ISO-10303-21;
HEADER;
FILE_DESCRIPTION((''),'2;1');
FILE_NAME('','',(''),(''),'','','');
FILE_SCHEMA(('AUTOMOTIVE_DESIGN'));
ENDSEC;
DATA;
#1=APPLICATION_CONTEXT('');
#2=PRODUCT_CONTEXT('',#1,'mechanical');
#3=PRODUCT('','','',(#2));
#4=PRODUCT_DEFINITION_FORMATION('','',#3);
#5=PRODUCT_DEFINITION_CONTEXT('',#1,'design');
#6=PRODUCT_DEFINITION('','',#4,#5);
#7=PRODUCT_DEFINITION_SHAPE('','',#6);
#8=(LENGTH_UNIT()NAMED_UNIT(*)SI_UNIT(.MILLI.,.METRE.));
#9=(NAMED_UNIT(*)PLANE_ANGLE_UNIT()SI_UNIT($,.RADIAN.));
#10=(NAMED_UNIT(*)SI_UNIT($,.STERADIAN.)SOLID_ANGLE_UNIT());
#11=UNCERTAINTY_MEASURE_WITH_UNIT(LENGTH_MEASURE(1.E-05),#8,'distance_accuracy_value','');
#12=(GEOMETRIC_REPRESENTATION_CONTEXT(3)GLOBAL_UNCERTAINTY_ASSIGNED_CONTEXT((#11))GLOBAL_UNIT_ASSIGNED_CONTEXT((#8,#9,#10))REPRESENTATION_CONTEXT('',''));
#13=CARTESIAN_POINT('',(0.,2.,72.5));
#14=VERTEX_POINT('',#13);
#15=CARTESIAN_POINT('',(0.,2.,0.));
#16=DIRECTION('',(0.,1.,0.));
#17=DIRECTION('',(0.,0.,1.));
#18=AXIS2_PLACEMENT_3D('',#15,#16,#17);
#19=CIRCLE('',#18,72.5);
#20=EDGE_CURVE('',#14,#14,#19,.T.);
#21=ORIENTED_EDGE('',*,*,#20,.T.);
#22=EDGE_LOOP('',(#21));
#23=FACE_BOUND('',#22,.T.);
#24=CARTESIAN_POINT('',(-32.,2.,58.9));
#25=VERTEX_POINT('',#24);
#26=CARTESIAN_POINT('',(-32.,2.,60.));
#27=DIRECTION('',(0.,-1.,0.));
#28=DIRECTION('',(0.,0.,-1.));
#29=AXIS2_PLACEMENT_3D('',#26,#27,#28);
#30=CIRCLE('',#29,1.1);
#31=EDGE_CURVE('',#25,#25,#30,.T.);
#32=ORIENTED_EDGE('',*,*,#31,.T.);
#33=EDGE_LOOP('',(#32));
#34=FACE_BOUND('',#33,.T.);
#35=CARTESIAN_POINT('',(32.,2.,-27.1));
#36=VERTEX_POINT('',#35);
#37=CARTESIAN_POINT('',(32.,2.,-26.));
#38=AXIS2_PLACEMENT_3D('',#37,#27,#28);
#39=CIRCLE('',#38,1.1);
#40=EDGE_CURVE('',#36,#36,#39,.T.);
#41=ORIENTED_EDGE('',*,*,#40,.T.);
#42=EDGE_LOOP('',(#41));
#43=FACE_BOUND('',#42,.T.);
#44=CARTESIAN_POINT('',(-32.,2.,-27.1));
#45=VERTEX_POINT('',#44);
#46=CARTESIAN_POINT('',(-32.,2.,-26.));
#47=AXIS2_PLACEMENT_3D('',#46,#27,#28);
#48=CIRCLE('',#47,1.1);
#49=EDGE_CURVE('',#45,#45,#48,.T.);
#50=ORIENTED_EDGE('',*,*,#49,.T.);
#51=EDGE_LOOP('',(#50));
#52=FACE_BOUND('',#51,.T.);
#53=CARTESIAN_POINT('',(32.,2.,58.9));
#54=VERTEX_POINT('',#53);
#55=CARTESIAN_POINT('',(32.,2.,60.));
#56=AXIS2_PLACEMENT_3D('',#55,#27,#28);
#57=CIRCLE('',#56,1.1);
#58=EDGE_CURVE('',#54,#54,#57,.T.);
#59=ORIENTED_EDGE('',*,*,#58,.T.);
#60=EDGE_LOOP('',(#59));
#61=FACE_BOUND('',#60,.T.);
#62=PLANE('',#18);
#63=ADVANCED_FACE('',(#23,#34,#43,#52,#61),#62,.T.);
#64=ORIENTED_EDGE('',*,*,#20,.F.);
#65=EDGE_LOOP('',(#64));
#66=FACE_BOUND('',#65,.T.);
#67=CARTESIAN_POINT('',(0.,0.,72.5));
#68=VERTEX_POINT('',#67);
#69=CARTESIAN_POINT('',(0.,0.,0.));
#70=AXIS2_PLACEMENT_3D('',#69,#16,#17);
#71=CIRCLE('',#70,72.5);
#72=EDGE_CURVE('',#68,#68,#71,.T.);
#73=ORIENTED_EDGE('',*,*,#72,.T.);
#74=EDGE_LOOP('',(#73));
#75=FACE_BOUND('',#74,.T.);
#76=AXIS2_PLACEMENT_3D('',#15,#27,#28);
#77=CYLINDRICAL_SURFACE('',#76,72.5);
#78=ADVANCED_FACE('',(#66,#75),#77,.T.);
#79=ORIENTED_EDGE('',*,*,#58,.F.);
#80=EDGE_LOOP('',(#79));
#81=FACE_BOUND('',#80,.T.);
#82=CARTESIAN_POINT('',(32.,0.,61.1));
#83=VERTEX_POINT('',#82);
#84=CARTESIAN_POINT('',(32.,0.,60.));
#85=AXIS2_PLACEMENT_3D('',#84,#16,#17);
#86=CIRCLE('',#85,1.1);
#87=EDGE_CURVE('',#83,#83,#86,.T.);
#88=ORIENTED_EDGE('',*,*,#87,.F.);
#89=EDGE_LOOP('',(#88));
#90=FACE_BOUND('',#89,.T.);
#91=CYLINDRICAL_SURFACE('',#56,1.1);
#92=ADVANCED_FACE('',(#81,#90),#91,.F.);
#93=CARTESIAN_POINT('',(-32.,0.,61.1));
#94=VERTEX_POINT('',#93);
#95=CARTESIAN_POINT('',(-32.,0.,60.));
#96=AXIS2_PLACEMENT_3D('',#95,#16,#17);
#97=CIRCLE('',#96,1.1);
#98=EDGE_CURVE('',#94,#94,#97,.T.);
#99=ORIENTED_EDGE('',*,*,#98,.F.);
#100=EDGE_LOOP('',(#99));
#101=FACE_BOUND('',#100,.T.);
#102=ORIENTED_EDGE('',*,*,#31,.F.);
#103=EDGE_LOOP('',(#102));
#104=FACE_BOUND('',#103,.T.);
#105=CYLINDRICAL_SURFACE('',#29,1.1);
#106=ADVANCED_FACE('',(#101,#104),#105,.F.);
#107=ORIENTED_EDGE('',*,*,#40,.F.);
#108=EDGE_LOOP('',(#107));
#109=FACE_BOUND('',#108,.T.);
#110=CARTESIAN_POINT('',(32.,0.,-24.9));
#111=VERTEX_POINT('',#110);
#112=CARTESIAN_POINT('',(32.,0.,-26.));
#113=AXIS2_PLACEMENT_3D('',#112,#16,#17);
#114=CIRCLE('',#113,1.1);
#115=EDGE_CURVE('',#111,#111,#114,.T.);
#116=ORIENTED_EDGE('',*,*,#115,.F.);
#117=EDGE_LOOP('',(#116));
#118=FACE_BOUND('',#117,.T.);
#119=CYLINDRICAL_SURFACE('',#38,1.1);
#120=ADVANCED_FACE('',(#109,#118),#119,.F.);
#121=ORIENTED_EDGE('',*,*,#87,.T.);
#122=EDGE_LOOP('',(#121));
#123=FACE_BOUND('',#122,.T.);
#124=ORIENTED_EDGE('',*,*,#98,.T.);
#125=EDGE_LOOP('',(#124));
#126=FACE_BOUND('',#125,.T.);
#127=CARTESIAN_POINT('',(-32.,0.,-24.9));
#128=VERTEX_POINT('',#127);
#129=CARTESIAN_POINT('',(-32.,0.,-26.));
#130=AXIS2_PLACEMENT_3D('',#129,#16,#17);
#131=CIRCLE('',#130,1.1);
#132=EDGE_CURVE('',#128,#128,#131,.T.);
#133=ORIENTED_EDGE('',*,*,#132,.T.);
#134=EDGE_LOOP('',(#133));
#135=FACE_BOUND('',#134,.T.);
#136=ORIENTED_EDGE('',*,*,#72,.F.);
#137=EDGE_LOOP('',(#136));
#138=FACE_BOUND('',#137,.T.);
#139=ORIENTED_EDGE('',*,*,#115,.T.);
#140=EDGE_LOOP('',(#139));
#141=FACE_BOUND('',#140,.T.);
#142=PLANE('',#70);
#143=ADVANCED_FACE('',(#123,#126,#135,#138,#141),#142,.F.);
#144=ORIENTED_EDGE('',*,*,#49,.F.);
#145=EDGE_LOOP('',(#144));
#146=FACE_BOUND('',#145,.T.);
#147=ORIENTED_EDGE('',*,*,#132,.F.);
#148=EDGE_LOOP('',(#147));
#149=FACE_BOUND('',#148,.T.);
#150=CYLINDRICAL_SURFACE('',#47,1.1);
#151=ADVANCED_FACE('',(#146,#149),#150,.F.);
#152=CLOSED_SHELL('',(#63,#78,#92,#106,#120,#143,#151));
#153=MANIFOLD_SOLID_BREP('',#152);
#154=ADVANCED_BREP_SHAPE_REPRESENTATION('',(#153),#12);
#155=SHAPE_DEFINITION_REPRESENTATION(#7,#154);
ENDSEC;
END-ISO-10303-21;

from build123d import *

# Parameters (mm, degrees)
SKETCH_2_R               = 72.5
EXTRUDE_1_DEPTH          = 2
CUT_EXTRUDE_1_DEPTH      = 103.549987811
CUT_EXTRUDE_1_DEPTH_BACK = 103.549987811
SKETCH_3_R               = 1.1


with BuildPart() as part:
    # 草图2 → 凸台-拉伸1 (new body)
    with BuildSketch(Plane(origin=(0, 0, 0), x_dir=(1, 0, 0), z_dir=(0, 1, 0))):
        with Locations(Location((0, 0, 0), (0, 0, 270))):
            Circle(SKETCH_2_R)
    extrude(amount=EXTRUDE_1_DEPTH)

    # 草图3 → 切除-拉伸1 (cut, two sides: drawn at the far end of the back side and taken through both)
    with BuildSketch(Plane.XZ.offset(-CUT_EXTRUDE_1_DEPTH_BACK)):
        with Locations(Location((32, 60, 0), (0, 0, 270))):
            Circle(SKETCH_3_R)
        with Locations(Location((-32, 60, 0), (0, 0, 270))):
            Circle(SKETCH_3_R)
        with Locations(Location((-32, -26, 0), (0, 0, 270))):
            Circle(SKETCH_3_R)
        with Locations(Location((32, -26, 0), (0, 0, 270))):
            Circle(SKETCH_3_R)
    extrude(amount=CUT_EXTRUDE_1_DEPTH + CUT_EXTRUDE_1_DEPTH_BACK, mode=Mode.SUBTRACT)


solid = part.part
